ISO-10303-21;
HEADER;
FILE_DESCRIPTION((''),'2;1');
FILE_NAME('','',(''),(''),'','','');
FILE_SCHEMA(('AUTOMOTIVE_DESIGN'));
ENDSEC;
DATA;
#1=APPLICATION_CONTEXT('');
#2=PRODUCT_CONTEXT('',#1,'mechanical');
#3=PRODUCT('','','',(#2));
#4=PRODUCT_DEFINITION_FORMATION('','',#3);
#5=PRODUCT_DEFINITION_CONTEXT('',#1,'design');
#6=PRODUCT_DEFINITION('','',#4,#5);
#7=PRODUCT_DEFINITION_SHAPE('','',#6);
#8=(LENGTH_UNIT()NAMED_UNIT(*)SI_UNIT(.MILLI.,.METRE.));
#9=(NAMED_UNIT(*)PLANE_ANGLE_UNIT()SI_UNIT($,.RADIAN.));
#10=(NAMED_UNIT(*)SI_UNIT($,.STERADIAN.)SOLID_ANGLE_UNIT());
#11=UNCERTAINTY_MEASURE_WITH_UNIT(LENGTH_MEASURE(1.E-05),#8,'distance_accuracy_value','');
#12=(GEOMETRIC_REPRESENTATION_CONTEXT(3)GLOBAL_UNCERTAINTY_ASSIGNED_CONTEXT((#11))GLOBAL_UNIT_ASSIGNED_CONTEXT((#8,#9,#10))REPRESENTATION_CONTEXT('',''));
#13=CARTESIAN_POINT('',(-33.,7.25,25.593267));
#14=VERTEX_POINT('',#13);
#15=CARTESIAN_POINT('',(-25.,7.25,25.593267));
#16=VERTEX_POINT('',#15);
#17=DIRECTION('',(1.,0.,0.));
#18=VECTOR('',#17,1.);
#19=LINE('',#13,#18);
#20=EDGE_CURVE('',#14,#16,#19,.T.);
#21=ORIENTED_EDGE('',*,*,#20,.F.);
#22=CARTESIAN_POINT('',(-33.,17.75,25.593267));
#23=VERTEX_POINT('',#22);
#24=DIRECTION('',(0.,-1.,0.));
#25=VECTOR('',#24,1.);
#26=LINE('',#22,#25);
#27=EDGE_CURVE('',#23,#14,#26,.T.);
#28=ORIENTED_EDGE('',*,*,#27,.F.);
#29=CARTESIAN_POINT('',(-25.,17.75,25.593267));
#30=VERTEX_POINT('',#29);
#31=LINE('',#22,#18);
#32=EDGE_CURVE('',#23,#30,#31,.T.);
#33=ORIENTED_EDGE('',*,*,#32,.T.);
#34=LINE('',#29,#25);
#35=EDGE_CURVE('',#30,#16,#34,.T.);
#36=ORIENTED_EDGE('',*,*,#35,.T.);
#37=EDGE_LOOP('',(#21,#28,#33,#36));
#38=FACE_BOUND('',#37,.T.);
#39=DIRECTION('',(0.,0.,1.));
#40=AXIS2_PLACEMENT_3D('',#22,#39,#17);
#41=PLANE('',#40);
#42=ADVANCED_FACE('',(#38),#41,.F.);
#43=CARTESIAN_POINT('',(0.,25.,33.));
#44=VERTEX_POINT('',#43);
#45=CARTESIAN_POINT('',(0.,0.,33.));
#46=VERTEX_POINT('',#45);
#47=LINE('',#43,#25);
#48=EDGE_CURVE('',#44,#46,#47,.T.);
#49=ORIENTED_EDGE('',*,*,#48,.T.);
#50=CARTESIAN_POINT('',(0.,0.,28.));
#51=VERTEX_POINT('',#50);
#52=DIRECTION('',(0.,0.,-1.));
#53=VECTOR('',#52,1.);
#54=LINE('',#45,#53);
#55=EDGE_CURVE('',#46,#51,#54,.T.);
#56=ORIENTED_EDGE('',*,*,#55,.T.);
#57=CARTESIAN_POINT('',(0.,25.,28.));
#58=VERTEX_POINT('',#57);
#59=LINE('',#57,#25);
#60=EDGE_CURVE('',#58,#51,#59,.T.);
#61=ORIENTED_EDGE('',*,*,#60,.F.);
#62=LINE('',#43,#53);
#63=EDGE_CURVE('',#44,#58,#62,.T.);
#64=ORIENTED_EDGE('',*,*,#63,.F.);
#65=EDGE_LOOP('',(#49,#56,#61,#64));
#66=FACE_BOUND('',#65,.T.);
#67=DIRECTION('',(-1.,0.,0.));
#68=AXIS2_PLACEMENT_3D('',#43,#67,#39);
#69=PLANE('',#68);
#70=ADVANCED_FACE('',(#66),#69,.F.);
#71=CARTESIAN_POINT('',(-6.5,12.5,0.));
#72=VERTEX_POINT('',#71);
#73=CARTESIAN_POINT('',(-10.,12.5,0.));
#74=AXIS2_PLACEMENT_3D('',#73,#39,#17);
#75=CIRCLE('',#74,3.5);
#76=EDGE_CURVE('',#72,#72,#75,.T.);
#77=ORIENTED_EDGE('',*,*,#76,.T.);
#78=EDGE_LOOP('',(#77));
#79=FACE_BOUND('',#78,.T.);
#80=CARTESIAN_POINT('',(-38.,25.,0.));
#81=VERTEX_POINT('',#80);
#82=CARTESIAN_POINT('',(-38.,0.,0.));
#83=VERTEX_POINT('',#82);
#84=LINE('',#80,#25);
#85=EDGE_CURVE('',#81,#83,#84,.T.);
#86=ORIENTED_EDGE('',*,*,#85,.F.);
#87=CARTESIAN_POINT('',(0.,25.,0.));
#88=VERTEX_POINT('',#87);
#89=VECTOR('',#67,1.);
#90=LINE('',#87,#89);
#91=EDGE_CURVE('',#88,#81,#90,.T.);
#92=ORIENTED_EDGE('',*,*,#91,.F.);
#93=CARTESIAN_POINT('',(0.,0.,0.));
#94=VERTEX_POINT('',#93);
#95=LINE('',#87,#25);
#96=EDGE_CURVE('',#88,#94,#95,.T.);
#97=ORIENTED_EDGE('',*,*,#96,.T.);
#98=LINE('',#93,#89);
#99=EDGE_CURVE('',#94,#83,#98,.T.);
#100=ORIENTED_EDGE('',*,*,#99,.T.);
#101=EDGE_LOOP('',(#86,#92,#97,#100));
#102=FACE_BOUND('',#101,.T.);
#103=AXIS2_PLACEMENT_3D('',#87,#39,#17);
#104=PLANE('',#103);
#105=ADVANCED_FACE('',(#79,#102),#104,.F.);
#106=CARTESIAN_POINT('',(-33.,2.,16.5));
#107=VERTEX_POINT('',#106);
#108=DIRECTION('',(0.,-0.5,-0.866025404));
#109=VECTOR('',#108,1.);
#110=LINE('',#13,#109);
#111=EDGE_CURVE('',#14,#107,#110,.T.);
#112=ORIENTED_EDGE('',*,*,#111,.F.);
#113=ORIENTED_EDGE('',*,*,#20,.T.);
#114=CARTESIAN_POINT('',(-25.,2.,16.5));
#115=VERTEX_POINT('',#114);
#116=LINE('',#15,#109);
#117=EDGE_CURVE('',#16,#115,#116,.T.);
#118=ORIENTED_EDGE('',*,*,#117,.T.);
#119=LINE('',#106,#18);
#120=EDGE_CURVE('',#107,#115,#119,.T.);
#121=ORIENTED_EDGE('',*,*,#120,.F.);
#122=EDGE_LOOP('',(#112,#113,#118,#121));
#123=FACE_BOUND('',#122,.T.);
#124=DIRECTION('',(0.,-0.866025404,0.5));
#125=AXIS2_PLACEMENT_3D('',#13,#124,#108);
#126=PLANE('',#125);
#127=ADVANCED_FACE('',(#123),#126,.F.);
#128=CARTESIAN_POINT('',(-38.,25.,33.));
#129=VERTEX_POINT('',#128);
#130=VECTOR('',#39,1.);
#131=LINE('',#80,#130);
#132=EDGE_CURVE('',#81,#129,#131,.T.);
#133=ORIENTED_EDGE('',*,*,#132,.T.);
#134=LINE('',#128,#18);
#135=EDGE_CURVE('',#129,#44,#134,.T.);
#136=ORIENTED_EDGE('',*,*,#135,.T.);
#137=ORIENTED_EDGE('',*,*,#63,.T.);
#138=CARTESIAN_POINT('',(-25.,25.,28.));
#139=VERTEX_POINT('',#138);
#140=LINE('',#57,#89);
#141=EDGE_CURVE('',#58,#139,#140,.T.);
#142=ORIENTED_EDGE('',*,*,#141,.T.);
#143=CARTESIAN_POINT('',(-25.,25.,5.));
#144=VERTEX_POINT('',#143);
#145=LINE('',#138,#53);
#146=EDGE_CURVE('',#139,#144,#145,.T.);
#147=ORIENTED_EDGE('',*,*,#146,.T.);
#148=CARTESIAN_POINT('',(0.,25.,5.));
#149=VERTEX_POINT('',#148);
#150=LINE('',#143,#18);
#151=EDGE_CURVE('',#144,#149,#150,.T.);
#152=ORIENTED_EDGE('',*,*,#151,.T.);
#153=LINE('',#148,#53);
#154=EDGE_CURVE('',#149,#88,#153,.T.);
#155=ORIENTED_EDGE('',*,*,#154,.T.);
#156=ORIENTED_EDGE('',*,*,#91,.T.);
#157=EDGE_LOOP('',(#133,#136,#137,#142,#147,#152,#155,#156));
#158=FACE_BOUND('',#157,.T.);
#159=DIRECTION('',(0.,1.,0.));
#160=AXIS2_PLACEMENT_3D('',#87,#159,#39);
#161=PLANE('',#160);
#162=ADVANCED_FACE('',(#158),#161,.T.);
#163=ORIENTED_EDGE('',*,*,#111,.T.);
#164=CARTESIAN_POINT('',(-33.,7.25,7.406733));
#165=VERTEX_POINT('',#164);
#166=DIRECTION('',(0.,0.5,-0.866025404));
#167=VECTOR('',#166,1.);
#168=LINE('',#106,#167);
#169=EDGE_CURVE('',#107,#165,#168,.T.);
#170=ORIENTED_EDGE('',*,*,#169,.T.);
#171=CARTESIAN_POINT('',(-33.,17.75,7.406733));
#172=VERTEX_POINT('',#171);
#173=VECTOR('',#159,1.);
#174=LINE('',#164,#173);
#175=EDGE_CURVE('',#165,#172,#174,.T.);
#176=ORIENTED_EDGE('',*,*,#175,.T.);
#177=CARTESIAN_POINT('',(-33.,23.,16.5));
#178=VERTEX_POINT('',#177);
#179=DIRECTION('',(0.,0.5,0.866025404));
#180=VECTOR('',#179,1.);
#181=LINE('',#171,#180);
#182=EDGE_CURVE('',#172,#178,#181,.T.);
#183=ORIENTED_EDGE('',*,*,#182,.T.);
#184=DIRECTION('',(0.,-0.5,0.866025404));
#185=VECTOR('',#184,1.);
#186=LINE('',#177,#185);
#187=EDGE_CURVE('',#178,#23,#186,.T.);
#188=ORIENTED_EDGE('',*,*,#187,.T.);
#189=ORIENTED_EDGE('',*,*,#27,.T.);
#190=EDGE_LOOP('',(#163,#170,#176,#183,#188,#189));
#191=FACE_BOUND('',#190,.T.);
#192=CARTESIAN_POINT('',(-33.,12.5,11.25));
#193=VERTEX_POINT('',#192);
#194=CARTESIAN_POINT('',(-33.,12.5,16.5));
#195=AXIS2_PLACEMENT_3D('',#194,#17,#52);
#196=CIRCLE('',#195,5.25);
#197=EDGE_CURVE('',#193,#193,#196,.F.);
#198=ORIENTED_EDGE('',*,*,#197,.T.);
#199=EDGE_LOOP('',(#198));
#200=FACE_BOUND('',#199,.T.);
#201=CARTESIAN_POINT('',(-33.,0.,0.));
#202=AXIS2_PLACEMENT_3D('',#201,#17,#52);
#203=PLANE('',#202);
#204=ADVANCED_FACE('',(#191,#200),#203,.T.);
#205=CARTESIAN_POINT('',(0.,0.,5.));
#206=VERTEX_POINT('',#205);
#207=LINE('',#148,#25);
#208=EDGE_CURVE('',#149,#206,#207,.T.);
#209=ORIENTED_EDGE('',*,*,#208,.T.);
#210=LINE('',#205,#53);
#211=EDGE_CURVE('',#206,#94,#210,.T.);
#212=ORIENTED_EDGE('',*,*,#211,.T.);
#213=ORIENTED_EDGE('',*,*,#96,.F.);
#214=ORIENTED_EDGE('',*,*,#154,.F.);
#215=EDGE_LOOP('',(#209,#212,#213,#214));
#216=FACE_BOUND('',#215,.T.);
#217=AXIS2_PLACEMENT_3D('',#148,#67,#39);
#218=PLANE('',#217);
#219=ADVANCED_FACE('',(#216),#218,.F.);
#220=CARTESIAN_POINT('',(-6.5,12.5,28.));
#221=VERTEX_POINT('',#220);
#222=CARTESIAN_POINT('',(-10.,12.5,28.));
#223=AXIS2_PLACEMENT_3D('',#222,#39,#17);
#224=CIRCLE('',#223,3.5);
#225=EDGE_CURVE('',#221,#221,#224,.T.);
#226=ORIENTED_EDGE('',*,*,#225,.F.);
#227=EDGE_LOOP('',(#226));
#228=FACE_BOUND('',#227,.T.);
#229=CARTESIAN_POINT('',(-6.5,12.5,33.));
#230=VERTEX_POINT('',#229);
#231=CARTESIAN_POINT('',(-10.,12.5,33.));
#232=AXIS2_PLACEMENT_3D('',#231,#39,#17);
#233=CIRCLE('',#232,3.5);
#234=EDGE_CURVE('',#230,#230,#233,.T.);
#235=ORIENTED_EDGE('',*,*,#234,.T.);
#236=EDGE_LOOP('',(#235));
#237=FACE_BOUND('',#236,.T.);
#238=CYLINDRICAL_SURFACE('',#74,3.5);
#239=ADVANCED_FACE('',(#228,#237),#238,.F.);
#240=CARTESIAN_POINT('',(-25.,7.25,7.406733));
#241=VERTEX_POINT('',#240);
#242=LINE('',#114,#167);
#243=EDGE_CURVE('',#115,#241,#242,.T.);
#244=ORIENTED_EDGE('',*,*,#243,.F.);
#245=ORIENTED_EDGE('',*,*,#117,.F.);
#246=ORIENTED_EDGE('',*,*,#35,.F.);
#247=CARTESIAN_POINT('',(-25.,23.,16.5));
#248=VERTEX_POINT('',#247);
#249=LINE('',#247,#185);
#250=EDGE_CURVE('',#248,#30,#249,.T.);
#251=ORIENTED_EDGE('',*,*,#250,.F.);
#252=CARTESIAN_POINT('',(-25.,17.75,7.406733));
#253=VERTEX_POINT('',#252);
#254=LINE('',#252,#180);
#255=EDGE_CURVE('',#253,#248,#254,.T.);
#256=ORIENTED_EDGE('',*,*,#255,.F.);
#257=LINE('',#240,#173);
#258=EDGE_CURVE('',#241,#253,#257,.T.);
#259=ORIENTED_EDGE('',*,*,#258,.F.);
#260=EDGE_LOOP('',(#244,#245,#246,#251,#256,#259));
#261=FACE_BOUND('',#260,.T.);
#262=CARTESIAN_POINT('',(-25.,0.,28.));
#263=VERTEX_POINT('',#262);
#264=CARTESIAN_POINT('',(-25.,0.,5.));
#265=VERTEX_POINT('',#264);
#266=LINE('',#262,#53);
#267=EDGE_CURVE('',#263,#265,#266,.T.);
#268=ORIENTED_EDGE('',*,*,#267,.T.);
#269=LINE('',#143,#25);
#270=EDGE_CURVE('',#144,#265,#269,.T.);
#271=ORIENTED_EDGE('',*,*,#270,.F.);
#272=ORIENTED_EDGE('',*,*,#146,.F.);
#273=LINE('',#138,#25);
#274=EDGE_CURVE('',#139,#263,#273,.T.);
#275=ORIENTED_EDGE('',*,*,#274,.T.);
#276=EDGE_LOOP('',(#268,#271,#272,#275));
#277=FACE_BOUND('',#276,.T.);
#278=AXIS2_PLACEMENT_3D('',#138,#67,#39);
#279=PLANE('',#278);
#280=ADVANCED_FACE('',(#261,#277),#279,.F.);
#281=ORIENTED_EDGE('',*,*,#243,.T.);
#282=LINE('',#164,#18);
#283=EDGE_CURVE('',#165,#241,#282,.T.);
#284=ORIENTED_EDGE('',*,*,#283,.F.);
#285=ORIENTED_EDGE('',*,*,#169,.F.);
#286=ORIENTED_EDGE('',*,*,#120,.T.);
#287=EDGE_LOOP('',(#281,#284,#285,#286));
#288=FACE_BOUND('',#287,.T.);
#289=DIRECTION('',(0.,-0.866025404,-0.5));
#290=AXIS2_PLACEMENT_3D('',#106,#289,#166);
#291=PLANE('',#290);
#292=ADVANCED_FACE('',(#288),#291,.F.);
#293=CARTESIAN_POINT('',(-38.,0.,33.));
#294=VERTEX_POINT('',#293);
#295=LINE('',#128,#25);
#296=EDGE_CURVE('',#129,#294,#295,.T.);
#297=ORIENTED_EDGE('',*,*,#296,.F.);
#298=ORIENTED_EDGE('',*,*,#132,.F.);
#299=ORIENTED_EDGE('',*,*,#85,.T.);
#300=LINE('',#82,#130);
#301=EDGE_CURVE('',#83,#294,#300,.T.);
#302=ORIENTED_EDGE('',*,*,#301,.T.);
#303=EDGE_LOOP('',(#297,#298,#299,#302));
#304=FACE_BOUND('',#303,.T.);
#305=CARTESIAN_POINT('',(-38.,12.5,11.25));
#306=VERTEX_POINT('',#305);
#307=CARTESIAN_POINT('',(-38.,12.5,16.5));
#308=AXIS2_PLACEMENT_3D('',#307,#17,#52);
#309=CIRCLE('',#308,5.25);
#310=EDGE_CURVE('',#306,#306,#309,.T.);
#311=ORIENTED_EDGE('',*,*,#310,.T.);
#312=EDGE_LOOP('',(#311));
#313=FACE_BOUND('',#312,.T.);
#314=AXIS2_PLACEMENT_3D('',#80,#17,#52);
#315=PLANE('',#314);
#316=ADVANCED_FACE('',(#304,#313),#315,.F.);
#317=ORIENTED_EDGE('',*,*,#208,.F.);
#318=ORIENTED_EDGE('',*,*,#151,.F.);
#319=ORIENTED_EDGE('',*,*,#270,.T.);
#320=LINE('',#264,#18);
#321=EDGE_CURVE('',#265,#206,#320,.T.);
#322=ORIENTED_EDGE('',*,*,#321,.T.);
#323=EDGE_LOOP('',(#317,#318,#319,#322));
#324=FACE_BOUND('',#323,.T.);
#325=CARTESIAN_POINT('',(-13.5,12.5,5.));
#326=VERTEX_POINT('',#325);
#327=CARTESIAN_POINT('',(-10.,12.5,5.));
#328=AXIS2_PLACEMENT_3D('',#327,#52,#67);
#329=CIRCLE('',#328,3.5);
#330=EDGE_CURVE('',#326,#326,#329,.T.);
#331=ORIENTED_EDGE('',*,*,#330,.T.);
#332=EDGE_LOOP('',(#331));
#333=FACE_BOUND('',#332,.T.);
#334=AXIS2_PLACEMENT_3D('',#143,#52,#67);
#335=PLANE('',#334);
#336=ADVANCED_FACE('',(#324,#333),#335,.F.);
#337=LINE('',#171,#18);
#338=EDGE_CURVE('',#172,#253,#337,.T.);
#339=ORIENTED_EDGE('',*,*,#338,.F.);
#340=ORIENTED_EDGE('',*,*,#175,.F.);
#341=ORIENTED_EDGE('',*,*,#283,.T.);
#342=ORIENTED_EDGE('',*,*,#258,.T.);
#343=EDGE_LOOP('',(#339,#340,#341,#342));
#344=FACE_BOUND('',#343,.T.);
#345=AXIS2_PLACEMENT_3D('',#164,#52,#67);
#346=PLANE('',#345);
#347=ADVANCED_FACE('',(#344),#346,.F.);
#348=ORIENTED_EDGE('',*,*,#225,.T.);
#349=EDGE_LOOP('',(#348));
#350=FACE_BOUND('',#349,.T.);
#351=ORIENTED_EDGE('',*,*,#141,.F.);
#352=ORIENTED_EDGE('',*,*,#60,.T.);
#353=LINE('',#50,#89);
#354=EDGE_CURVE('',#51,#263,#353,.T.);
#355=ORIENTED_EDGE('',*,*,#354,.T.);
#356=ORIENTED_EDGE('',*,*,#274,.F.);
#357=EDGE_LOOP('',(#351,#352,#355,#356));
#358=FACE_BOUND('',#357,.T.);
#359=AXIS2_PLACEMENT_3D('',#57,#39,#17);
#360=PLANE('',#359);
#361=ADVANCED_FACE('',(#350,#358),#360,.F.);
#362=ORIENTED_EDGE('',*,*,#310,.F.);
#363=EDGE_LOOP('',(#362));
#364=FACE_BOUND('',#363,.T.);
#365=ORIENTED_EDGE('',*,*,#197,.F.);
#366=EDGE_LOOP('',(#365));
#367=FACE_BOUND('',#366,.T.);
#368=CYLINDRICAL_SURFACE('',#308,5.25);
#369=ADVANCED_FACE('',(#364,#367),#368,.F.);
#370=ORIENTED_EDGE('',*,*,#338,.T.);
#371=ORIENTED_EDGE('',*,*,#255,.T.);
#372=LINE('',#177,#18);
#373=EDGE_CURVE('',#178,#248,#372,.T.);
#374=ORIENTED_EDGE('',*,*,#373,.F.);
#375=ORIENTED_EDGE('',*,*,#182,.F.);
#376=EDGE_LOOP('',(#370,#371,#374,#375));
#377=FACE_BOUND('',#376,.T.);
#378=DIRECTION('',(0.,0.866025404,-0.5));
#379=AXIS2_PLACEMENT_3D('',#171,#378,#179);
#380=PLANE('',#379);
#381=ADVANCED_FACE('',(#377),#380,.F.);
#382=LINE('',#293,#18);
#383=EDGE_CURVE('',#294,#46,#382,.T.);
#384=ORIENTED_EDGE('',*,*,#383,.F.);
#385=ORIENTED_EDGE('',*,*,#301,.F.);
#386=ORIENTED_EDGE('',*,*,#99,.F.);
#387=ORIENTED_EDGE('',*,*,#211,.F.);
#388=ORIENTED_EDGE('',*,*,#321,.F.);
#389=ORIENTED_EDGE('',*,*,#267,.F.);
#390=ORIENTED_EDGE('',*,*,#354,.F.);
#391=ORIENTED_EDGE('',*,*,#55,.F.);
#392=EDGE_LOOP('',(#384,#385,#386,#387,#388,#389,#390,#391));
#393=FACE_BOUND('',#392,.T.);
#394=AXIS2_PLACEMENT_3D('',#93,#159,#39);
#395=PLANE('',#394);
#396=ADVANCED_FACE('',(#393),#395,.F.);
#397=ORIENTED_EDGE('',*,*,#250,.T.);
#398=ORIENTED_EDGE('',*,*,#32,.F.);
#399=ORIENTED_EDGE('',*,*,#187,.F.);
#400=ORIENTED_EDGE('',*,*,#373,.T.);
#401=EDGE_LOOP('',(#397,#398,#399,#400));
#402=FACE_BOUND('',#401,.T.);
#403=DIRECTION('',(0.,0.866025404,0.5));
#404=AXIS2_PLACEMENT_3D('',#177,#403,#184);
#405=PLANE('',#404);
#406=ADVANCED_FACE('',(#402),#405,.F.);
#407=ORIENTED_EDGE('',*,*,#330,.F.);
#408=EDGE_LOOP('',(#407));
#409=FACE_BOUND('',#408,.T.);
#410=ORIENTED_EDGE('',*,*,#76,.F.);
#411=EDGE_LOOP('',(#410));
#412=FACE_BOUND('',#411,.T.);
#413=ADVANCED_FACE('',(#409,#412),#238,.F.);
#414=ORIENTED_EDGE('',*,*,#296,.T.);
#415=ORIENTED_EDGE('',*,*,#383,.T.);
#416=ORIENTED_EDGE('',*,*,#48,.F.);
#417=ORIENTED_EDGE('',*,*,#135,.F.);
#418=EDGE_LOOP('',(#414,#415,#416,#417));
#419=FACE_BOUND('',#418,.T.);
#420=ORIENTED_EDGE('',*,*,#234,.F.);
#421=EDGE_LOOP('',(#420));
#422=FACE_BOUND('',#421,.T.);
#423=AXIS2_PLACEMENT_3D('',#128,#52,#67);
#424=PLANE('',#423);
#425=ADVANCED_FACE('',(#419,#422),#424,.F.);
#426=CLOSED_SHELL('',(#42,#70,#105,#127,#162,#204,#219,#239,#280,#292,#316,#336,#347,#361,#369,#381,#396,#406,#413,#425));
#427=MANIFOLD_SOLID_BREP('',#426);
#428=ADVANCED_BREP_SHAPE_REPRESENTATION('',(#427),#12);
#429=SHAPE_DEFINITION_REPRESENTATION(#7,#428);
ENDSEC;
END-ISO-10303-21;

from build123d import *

# Parameters (mm, degrees)
BOSS_EXTRU_1_DEPTH      = 25
ESQUISSE3_R             = 3.5
ENL_V_MAT_EXTRU_1_DEPTH = 57.196085273
ESQUISSE4_R             = 5.25
ENL_V_MAT_EXTRU_2_DEPTH = 49.363209157
ENL_V_MAT_EXTRU_3_DEPTH = 8


with BuildPart() as part:
    # Esquisse2 → Boss.-Extru.1 (new body)
    with BuildSketch(Plane(origin=(0, 0, 0), x_dir=(1, 0, 0), z_dir=(0, 1, 0))):
        Polygon((0, 0), (-38, 0), (-38, -33), (0, -33), (0, -28), (-25, -28), (-25, -5), (0, -5), align=None)
    extrude(amount=BOSS_EXTRU_1_DEPTH)

    # Esquisse3 → Enlèv. mat.-Extru.1 (cut, through all)
    with BuildSketch(Plane.XY.offset(33)):
        with Locations((-10, 12.5)):
            Circle(ESQUISSE3_R)
    extrude(amount=-ENL_V_MAT_EXTRU_1_DEPTH, mode=Mode.SUBTRACT)

    # Esquisse4 → Enlèv. mat.-Extru.2 (cut, through all)
    with BuildSketch(Plane(origin=(-25, 0, 0), x_dir=(0, 0, -1), z_dir=(1, 0, 0))):
        with Locations((-16.5, 12.5)):
            Circle(ESQUISSE4_R)
    extrude(amount=-ENL_V_MAT_EXTRU_2_DEPTH, mode=Mode.SUBTRACT)

    # Esquisse5 → Enlèv. mat.-Extru.3 (cut)
    with BuildSketch(Plane(origin=(-25, 0, 0), x_dir=(0, 0, -1), z_dir=(1, 0, 0))):
        Polygon((-7.40673326, 17.75), (-16.5, 23), (-25.59326674, 17.75), (-25.59326674, 7.25), (-16.5, 2), (-7.40673326, 7.25), align=None)
    extrude(amount=-ENL_V_MAT_EXTRU_3_DEPTH, mode=Mode.SUBTRACT)


solid = part.part
